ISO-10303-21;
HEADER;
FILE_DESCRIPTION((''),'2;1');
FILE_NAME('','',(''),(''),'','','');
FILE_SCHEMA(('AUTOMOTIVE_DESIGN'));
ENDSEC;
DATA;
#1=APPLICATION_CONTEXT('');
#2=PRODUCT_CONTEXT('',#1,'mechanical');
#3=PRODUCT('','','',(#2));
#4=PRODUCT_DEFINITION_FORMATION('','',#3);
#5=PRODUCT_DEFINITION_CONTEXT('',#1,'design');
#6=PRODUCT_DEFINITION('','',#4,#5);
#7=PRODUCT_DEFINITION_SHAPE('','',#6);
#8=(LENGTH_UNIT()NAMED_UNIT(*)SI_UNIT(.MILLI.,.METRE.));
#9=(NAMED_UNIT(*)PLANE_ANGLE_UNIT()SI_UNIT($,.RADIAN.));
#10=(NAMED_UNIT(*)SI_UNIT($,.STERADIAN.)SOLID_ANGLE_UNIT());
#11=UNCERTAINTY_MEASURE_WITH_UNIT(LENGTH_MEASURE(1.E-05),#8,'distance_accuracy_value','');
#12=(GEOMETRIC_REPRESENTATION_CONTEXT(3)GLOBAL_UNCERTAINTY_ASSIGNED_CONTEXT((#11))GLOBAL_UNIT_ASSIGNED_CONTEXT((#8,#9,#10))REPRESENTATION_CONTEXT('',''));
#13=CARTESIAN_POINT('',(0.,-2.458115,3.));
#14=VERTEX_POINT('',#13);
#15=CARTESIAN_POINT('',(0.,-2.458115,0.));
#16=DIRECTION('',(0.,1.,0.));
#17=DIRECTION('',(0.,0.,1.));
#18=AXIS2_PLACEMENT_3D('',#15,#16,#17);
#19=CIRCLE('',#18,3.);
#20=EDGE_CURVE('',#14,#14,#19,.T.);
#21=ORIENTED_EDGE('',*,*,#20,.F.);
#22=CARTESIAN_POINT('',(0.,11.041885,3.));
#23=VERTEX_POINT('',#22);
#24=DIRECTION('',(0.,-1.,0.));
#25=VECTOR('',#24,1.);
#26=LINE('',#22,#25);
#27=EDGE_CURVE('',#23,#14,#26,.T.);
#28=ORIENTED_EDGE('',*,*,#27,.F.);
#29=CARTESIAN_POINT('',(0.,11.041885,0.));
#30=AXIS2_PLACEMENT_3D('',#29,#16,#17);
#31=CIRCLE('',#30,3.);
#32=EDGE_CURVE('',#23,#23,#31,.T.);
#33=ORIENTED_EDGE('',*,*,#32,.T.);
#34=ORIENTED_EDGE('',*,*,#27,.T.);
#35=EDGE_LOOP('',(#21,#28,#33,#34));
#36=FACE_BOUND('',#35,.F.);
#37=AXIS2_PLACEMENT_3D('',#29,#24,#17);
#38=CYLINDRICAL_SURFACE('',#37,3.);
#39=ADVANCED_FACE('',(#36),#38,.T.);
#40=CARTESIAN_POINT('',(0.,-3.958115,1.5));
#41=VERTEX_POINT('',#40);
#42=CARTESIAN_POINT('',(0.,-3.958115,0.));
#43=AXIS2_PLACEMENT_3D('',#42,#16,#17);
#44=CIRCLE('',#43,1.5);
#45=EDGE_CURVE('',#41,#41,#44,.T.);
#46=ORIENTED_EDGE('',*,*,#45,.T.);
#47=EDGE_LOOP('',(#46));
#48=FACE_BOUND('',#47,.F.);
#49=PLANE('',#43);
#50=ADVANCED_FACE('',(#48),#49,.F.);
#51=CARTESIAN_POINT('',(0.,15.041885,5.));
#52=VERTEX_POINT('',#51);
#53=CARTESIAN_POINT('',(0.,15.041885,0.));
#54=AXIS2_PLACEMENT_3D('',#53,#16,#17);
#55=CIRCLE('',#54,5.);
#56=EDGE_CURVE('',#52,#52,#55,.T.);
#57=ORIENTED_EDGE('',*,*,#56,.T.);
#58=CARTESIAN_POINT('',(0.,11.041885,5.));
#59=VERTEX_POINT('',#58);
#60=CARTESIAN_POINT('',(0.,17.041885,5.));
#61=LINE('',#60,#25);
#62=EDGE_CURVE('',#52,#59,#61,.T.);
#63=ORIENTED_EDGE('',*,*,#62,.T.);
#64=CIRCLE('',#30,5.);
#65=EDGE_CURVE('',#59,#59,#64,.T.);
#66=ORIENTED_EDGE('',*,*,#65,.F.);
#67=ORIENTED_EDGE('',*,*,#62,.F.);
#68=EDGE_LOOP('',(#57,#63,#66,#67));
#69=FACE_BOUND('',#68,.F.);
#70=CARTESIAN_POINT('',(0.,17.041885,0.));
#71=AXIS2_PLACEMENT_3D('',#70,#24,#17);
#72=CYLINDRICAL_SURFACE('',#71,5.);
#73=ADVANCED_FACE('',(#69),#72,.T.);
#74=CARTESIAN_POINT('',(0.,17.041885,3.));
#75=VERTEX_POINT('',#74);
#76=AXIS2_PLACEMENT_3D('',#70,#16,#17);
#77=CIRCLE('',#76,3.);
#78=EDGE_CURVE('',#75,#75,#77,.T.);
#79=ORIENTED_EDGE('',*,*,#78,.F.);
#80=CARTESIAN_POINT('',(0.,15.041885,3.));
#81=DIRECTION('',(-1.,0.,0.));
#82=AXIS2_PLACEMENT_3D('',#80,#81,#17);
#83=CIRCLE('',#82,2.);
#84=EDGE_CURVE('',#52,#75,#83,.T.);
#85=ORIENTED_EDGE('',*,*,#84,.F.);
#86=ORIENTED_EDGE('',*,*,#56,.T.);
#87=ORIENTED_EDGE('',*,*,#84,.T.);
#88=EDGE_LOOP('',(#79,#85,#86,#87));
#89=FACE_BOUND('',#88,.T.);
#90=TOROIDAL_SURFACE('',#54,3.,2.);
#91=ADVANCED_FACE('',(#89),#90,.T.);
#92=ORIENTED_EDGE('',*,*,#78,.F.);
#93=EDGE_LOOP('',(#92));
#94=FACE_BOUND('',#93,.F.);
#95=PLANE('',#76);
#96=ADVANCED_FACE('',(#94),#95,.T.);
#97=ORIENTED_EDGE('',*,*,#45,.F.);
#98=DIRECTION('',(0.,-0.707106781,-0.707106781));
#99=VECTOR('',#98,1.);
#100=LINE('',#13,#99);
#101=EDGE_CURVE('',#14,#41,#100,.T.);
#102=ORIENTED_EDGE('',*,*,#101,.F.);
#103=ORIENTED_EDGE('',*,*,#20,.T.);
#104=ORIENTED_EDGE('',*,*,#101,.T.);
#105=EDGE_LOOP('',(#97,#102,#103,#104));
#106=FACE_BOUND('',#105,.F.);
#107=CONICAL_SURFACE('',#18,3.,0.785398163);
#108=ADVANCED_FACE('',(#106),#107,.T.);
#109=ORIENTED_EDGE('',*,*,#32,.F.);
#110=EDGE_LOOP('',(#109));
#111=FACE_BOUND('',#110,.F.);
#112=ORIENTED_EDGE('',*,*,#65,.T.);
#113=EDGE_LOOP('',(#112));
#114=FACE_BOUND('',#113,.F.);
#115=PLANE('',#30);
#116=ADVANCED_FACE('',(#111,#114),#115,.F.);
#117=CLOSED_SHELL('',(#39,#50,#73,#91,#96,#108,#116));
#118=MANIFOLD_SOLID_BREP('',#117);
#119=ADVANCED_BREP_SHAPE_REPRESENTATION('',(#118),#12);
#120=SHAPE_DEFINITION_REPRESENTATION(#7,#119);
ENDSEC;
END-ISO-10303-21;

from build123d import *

# Parameters (mm, degrees)
F2_SIZE = 1.5
F3_R    = 2


with BuildPart() as f1:
    # F0 (on Right) → F1 (revolve)
    with BuildSketch(Plane.YZ):
        Polygon((-3.958115, 0), (17.041885, 0), (17.041885, 5), (11.041885, 5), (11.041885, 3), (-3.958115, 3), align=None)
    revolve(axis=Axis((0, 6.541885, 0), (0, 1, 0)))

    # F2
    f2_edges = [f1.edges().sort_by_distance(p)[0] for p in [
        (0, -3.958115, -3),
    ]]
    chamfer(f2_edges, length=F2_SIZE)

    # F3
    f3_edges = [f1.edges().sort_by_distance(p)[0] for p in [
        (0, 17.041885, -5),
    ]]
    fillet(f3_edges, radius=F3_R)


solid = f1.part
